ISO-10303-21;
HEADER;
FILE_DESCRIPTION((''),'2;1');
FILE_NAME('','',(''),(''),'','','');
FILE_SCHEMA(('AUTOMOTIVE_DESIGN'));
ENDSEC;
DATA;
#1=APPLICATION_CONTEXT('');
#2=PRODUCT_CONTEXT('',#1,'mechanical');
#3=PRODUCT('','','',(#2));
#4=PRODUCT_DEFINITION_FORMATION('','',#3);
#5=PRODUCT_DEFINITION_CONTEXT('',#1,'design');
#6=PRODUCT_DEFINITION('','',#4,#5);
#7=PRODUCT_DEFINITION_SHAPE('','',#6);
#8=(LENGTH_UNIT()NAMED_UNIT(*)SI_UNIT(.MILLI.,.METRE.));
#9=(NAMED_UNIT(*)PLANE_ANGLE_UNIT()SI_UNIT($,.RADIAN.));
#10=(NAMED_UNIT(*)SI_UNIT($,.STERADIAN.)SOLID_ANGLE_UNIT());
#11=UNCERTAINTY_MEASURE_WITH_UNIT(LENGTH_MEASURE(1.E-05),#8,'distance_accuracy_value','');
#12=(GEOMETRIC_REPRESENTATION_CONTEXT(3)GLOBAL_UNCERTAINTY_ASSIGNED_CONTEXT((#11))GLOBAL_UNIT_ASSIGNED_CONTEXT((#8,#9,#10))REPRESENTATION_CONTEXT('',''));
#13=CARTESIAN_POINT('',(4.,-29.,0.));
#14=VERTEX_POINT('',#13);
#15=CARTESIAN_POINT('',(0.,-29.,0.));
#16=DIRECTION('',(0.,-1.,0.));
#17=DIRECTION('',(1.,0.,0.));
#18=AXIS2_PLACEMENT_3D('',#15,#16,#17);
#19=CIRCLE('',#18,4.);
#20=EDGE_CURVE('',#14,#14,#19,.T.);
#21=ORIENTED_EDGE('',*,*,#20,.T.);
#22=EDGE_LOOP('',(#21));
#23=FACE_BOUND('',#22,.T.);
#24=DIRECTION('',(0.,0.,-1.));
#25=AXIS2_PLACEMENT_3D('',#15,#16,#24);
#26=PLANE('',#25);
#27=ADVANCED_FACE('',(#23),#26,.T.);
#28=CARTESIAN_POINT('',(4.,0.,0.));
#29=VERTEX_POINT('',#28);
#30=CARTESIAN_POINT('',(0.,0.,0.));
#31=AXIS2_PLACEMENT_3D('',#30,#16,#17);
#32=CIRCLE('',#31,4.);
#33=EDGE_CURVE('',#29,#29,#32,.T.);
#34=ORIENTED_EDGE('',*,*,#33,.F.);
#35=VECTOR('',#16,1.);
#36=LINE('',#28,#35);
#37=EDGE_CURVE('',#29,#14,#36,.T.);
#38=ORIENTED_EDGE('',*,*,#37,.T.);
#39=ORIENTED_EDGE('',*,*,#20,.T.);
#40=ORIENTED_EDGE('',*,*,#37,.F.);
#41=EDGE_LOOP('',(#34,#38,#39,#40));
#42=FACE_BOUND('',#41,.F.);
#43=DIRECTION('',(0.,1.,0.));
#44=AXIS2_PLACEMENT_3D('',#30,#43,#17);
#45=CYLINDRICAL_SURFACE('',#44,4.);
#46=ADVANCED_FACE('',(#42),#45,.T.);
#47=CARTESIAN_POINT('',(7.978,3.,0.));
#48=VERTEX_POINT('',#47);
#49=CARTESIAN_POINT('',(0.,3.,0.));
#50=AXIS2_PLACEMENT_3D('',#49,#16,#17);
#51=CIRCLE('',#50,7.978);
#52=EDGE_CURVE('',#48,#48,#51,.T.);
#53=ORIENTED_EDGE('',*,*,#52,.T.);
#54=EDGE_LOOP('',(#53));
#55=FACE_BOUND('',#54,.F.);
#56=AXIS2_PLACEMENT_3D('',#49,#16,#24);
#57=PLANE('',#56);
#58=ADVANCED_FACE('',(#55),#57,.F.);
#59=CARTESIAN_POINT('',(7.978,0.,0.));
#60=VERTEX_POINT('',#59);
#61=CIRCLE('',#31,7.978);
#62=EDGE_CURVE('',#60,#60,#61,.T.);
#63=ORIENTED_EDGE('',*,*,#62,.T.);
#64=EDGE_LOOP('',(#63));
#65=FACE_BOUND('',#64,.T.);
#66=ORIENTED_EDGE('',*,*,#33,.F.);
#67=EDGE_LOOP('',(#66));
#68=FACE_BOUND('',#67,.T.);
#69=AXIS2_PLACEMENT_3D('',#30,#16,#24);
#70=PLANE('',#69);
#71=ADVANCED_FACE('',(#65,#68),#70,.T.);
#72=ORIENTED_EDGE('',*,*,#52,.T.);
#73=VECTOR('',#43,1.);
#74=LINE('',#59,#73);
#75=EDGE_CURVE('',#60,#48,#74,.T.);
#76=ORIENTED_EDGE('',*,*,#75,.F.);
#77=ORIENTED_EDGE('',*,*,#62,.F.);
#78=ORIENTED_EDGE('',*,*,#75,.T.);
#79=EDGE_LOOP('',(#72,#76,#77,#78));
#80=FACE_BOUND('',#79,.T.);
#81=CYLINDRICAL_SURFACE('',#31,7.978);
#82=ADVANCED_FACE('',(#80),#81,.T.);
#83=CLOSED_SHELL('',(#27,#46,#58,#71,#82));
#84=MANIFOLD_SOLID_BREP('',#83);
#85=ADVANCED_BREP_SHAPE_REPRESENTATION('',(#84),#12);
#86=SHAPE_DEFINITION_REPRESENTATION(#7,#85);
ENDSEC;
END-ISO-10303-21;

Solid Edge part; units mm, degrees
sketch "Sketch1" plane through (0, 0, 0) normal (0, -1, 0) x (1, 0, 0)
  circle A0 centre (0, 0) radius 7.978
extrude "Protrusion1" add sketch "Sketch1" against normal blind 3
sketch "Sketch2" plane through (0, 0, 0) normal (0, -1, 0) x (1, 0, 0)
  circle A0 centre (0, 0) radius 4
extrude "ExtrudedProtrusion_2" add sketch "Sketch2" along normal blind 29
